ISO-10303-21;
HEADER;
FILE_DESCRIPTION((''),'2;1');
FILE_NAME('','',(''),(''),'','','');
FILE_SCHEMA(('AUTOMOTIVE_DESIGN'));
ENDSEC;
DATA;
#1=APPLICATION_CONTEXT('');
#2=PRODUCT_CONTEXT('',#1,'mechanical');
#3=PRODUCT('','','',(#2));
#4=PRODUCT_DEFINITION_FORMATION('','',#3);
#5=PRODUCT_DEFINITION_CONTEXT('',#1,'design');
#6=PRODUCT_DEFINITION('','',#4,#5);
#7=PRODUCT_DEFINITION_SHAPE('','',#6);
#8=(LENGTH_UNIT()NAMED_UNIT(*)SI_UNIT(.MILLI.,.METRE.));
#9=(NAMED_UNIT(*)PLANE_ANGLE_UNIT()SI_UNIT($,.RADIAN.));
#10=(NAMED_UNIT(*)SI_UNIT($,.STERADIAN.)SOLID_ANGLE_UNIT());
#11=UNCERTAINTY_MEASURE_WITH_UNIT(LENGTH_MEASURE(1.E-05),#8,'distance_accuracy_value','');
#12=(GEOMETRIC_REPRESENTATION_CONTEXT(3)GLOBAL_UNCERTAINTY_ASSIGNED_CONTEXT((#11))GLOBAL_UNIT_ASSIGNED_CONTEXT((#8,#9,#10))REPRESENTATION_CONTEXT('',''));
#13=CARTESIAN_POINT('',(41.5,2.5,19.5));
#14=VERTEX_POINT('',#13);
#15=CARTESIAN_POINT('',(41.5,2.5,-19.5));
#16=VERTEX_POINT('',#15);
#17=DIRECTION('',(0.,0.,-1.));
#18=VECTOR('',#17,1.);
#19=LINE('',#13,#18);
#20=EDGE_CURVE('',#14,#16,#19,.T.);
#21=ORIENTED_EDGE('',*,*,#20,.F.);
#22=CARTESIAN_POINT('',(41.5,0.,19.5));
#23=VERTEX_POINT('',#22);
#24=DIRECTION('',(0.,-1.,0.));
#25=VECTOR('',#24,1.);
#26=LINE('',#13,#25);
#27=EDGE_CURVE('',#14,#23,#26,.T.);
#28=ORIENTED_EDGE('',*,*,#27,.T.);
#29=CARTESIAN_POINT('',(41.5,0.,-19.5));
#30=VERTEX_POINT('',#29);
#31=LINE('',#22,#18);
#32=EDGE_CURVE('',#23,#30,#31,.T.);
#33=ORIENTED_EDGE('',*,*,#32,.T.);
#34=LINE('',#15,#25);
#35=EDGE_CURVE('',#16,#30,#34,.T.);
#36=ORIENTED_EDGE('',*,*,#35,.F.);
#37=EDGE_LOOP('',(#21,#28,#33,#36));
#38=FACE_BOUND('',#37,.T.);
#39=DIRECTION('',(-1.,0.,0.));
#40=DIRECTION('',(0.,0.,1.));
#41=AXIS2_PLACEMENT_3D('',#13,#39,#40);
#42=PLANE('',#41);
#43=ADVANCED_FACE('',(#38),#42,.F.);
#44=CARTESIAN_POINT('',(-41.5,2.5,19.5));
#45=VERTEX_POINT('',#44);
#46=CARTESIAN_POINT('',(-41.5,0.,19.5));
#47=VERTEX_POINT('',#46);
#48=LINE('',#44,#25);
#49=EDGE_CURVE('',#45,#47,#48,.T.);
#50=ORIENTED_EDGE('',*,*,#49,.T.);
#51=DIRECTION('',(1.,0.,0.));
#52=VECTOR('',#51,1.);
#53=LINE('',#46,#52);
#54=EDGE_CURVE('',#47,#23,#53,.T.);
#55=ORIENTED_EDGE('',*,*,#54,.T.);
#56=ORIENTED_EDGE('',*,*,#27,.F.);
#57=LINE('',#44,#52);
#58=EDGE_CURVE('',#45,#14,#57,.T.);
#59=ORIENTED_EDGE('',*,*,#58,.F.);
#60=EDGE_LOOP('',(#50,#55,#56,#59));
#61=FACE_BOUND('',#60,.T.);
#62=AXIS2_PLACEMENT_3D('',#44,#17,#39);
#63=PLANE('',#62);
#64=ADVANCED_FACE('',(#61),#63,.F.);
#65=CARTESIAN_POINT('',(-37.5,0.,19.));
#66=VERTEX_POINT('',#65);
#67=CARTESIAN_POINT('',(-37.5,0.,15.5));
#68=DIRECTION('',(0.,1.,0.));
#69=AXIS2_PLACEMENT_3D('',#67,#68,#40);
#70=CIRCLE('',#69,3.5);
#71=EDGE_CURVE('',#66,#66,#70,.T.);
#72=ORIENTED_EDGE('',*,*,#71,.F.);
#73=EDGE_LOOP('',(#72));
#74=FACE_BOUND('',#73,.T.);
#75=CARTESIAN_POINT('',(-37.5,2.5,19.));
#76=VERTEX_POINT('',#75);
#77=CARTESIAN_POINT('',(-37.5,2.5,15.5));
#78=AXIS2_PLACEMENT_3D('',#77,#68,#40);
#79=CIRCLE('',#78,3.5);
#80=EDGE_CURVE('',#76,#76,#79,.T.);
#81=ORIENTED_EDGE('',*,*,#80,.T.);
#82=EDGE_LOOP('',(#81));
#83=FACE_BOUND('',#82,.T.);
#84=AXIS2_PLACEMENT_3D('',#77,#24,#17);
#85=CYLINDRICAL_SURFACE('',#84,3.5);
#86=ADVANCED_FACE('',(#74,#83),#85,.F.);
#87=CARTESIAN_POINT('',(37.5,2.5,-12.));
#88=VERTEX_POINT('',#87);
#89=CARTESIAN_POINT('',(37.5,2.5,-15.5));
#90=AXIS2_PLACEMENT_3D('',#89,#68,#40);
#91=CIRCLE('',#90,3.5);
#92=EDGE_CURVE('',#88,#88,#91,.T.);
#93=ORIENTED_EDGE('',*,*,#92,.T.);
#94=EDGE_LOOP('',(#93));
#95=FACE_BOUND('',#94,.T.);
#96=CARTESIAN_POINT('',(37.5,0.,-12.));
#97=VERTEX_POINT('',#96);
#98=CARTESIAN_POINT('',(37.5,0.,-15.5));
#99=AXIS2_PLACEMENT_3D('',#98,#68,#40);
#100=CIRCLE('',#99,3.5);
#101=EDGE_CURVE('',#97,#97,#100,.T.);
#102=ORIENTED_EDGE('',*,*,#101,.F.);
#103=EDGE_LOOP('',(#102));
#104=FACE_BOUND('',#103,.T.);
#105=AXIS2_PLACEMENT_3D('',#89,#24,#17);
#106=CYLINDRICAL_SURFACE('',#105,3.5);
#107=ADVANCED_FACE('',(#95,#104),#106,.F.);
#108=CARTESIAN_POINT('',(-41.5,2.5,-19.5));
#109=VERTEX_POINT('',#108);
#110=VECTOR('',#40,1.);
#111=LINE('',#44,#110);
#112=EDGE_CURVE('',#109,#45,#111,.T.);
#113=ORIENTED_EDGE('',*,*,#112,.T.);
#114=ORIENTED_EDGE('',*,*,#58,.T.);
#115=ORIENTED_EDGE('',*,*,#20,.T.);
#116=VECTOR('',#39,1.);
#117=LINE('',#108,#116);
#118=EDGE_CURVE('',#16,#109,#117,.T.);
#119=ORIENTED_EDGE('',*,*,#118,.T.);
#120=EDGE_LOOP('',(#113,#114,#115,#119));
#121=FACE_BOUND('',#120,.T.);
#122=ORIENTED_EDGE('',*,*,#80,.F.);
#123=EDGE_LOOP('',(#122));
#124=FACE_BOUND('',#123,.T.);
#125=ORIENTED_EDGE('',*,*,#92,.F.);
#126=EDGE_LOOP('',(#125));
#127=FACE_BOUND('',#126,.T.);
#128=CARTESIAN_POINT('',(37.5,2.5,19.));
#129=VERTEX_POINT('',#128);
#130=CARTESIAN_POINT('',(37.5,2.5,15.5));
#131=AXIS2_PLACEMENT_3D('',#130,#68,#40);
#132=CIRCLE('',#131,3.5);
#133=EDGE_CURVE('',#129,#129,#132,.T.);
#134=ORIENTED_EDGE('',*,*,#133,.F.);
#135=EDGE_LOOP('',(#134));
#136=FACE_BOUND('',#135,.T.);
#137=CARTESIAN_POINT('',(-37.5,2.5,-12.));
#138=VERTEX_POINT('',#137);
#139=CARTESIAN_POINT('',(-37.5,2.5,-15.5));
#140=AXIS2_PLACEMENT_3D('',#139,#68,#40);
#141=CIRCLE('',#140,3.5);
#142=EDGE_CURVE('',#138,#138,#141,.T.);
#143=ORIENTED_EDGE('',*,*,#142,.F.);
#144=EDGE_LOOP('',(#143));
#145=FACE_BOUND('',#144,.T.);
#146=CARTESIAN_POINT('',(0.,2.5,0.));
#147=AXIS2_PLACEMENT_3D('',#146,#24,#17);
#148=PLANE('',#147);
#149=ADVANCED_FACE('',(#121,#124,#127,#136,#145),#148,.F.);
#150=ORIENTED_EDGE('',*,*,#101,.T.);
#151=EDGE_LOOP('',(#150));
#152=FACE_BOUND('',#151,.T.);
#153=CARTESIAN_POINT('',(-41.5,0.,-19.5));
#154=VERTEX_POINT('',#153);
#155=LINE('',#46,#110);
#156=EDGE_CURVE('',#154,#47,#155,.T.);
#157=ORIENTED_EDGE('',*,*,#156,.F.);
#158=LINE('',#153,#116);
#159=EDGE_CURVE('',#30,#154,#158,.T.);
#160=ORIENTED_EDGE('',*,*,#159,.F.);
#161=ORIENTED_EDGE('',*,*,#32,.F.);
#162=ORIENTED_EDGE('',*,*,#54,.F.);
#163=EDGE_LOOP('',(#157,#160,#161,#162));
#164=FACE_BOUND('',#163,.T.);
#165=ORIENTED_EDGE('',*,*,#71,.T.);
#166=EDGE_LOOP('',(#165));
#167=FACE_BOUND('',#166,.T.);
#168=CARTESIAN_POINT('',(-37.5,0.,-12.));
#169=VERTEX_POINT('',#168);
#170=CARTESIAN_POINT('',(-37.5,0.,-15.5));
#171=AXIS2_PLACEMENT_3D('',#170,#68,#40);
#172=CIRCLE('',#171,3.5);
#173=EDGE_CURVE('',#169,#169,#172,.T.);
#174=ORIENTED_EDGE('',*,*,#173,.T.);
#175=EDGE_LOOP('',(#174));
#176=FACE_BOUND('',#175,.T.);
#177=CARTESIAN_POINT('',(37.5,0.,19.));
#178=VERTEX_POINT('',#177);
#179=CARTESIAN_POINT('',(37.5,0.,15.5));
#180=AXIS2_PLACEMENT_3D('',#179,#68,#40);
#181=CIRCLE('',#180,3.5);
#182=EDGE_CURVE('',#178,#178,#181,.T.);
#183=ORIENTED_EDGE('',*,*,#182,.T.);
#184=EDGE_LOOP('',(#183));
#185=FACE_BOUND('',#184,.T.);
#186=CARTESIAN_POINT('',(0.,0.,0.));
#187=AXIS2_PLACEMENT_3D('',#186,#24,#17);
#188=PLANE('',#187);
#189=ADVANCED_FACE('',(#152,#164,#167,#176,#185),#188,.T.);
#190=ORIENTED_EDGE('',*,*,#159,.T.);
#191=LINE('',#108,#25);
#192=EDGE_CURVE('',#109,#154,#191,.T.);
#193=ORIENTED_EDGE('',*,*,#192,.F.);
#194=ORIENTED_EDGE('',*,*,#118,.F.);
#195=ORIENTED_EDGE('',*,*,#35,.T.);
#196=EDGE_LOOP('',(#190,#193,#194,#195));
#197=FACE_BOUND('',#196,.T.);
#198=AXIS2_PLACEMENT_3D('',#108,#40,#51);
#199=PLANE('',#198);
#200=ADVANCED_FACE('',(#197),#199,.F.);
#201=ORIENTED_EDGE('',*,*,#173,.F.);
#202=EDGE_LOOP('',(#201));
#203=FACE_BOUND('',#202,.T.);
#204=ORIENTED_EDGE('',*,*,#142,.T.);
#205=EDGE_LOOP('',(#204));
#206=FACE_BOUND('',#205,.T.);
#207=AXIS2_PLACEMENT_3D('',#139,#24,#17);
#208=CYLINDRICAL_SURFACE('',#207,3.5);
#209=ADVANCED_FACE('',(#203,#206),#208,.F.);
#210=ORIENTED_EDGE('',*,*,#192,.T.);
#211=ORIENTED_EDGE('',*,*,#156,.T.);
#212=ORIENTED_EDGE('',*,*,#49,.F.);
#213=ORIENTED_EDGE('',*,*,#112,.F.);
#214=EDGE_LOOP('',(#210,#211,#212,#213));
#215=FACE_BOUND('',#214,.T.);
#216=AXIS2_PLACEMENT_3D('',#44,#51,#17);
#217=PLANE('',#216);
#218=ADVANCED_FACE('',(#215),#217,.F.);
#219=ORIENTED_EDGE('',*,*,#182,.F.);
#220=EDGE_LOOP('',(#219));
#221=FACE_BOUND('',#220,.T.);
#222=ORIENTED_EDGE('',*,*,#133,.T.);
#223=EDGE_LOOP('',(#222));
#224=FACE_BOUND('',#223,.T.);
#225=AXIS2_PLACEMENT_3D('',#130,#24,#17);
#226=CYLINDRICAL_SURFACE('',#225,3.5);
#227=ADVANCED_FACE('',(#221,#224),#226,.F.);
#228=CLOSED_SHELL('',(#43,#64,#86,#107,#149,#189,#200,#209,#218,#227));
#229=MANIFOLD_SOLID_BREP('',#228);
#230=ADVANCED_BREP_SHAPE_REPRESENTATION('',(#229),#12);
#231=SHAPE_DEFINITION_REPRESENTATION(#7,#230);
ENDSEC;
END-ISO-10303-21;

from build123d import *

# Parameters (mm, degrees)
SKETCH1_W           = 83
SKETCH1_H           = 39
SKETCH1_R           = 3.5
BOSS_EXTRUDE1_DEPTH = 2.5


with BuildPart() as part:
    # Sketch1 → Boss-Extrude1 (new body)
    with BuildSketch(Plane(origin=(0, 0, 0), x_dir=(1, 0, 0), z_dir=(0, 1, 0))):
        Rectangle(SKETCH1_W, SKETCH1_H)
        with Locations((37.5, 15.5)):
            Circle(SKETCH1_R, mode=Mode.SUBTRACT)
        with Locations((-37.5, 15.5)):
            Circle(SKETCH1_R, mode=Mode.SUBTRACT)
        with Locations((-37.5, -15.5)):
            Circle(SKETCH1_R, mode=Mode.SUBTRACT)
        with Locations((37.5, -15.5)):
            Circle(SKETCH1_R, mode=Mode.SUBTRACT)
    extrude(amount=BOSS_EXTRUDE1_DEPTH)


solid = part.part
